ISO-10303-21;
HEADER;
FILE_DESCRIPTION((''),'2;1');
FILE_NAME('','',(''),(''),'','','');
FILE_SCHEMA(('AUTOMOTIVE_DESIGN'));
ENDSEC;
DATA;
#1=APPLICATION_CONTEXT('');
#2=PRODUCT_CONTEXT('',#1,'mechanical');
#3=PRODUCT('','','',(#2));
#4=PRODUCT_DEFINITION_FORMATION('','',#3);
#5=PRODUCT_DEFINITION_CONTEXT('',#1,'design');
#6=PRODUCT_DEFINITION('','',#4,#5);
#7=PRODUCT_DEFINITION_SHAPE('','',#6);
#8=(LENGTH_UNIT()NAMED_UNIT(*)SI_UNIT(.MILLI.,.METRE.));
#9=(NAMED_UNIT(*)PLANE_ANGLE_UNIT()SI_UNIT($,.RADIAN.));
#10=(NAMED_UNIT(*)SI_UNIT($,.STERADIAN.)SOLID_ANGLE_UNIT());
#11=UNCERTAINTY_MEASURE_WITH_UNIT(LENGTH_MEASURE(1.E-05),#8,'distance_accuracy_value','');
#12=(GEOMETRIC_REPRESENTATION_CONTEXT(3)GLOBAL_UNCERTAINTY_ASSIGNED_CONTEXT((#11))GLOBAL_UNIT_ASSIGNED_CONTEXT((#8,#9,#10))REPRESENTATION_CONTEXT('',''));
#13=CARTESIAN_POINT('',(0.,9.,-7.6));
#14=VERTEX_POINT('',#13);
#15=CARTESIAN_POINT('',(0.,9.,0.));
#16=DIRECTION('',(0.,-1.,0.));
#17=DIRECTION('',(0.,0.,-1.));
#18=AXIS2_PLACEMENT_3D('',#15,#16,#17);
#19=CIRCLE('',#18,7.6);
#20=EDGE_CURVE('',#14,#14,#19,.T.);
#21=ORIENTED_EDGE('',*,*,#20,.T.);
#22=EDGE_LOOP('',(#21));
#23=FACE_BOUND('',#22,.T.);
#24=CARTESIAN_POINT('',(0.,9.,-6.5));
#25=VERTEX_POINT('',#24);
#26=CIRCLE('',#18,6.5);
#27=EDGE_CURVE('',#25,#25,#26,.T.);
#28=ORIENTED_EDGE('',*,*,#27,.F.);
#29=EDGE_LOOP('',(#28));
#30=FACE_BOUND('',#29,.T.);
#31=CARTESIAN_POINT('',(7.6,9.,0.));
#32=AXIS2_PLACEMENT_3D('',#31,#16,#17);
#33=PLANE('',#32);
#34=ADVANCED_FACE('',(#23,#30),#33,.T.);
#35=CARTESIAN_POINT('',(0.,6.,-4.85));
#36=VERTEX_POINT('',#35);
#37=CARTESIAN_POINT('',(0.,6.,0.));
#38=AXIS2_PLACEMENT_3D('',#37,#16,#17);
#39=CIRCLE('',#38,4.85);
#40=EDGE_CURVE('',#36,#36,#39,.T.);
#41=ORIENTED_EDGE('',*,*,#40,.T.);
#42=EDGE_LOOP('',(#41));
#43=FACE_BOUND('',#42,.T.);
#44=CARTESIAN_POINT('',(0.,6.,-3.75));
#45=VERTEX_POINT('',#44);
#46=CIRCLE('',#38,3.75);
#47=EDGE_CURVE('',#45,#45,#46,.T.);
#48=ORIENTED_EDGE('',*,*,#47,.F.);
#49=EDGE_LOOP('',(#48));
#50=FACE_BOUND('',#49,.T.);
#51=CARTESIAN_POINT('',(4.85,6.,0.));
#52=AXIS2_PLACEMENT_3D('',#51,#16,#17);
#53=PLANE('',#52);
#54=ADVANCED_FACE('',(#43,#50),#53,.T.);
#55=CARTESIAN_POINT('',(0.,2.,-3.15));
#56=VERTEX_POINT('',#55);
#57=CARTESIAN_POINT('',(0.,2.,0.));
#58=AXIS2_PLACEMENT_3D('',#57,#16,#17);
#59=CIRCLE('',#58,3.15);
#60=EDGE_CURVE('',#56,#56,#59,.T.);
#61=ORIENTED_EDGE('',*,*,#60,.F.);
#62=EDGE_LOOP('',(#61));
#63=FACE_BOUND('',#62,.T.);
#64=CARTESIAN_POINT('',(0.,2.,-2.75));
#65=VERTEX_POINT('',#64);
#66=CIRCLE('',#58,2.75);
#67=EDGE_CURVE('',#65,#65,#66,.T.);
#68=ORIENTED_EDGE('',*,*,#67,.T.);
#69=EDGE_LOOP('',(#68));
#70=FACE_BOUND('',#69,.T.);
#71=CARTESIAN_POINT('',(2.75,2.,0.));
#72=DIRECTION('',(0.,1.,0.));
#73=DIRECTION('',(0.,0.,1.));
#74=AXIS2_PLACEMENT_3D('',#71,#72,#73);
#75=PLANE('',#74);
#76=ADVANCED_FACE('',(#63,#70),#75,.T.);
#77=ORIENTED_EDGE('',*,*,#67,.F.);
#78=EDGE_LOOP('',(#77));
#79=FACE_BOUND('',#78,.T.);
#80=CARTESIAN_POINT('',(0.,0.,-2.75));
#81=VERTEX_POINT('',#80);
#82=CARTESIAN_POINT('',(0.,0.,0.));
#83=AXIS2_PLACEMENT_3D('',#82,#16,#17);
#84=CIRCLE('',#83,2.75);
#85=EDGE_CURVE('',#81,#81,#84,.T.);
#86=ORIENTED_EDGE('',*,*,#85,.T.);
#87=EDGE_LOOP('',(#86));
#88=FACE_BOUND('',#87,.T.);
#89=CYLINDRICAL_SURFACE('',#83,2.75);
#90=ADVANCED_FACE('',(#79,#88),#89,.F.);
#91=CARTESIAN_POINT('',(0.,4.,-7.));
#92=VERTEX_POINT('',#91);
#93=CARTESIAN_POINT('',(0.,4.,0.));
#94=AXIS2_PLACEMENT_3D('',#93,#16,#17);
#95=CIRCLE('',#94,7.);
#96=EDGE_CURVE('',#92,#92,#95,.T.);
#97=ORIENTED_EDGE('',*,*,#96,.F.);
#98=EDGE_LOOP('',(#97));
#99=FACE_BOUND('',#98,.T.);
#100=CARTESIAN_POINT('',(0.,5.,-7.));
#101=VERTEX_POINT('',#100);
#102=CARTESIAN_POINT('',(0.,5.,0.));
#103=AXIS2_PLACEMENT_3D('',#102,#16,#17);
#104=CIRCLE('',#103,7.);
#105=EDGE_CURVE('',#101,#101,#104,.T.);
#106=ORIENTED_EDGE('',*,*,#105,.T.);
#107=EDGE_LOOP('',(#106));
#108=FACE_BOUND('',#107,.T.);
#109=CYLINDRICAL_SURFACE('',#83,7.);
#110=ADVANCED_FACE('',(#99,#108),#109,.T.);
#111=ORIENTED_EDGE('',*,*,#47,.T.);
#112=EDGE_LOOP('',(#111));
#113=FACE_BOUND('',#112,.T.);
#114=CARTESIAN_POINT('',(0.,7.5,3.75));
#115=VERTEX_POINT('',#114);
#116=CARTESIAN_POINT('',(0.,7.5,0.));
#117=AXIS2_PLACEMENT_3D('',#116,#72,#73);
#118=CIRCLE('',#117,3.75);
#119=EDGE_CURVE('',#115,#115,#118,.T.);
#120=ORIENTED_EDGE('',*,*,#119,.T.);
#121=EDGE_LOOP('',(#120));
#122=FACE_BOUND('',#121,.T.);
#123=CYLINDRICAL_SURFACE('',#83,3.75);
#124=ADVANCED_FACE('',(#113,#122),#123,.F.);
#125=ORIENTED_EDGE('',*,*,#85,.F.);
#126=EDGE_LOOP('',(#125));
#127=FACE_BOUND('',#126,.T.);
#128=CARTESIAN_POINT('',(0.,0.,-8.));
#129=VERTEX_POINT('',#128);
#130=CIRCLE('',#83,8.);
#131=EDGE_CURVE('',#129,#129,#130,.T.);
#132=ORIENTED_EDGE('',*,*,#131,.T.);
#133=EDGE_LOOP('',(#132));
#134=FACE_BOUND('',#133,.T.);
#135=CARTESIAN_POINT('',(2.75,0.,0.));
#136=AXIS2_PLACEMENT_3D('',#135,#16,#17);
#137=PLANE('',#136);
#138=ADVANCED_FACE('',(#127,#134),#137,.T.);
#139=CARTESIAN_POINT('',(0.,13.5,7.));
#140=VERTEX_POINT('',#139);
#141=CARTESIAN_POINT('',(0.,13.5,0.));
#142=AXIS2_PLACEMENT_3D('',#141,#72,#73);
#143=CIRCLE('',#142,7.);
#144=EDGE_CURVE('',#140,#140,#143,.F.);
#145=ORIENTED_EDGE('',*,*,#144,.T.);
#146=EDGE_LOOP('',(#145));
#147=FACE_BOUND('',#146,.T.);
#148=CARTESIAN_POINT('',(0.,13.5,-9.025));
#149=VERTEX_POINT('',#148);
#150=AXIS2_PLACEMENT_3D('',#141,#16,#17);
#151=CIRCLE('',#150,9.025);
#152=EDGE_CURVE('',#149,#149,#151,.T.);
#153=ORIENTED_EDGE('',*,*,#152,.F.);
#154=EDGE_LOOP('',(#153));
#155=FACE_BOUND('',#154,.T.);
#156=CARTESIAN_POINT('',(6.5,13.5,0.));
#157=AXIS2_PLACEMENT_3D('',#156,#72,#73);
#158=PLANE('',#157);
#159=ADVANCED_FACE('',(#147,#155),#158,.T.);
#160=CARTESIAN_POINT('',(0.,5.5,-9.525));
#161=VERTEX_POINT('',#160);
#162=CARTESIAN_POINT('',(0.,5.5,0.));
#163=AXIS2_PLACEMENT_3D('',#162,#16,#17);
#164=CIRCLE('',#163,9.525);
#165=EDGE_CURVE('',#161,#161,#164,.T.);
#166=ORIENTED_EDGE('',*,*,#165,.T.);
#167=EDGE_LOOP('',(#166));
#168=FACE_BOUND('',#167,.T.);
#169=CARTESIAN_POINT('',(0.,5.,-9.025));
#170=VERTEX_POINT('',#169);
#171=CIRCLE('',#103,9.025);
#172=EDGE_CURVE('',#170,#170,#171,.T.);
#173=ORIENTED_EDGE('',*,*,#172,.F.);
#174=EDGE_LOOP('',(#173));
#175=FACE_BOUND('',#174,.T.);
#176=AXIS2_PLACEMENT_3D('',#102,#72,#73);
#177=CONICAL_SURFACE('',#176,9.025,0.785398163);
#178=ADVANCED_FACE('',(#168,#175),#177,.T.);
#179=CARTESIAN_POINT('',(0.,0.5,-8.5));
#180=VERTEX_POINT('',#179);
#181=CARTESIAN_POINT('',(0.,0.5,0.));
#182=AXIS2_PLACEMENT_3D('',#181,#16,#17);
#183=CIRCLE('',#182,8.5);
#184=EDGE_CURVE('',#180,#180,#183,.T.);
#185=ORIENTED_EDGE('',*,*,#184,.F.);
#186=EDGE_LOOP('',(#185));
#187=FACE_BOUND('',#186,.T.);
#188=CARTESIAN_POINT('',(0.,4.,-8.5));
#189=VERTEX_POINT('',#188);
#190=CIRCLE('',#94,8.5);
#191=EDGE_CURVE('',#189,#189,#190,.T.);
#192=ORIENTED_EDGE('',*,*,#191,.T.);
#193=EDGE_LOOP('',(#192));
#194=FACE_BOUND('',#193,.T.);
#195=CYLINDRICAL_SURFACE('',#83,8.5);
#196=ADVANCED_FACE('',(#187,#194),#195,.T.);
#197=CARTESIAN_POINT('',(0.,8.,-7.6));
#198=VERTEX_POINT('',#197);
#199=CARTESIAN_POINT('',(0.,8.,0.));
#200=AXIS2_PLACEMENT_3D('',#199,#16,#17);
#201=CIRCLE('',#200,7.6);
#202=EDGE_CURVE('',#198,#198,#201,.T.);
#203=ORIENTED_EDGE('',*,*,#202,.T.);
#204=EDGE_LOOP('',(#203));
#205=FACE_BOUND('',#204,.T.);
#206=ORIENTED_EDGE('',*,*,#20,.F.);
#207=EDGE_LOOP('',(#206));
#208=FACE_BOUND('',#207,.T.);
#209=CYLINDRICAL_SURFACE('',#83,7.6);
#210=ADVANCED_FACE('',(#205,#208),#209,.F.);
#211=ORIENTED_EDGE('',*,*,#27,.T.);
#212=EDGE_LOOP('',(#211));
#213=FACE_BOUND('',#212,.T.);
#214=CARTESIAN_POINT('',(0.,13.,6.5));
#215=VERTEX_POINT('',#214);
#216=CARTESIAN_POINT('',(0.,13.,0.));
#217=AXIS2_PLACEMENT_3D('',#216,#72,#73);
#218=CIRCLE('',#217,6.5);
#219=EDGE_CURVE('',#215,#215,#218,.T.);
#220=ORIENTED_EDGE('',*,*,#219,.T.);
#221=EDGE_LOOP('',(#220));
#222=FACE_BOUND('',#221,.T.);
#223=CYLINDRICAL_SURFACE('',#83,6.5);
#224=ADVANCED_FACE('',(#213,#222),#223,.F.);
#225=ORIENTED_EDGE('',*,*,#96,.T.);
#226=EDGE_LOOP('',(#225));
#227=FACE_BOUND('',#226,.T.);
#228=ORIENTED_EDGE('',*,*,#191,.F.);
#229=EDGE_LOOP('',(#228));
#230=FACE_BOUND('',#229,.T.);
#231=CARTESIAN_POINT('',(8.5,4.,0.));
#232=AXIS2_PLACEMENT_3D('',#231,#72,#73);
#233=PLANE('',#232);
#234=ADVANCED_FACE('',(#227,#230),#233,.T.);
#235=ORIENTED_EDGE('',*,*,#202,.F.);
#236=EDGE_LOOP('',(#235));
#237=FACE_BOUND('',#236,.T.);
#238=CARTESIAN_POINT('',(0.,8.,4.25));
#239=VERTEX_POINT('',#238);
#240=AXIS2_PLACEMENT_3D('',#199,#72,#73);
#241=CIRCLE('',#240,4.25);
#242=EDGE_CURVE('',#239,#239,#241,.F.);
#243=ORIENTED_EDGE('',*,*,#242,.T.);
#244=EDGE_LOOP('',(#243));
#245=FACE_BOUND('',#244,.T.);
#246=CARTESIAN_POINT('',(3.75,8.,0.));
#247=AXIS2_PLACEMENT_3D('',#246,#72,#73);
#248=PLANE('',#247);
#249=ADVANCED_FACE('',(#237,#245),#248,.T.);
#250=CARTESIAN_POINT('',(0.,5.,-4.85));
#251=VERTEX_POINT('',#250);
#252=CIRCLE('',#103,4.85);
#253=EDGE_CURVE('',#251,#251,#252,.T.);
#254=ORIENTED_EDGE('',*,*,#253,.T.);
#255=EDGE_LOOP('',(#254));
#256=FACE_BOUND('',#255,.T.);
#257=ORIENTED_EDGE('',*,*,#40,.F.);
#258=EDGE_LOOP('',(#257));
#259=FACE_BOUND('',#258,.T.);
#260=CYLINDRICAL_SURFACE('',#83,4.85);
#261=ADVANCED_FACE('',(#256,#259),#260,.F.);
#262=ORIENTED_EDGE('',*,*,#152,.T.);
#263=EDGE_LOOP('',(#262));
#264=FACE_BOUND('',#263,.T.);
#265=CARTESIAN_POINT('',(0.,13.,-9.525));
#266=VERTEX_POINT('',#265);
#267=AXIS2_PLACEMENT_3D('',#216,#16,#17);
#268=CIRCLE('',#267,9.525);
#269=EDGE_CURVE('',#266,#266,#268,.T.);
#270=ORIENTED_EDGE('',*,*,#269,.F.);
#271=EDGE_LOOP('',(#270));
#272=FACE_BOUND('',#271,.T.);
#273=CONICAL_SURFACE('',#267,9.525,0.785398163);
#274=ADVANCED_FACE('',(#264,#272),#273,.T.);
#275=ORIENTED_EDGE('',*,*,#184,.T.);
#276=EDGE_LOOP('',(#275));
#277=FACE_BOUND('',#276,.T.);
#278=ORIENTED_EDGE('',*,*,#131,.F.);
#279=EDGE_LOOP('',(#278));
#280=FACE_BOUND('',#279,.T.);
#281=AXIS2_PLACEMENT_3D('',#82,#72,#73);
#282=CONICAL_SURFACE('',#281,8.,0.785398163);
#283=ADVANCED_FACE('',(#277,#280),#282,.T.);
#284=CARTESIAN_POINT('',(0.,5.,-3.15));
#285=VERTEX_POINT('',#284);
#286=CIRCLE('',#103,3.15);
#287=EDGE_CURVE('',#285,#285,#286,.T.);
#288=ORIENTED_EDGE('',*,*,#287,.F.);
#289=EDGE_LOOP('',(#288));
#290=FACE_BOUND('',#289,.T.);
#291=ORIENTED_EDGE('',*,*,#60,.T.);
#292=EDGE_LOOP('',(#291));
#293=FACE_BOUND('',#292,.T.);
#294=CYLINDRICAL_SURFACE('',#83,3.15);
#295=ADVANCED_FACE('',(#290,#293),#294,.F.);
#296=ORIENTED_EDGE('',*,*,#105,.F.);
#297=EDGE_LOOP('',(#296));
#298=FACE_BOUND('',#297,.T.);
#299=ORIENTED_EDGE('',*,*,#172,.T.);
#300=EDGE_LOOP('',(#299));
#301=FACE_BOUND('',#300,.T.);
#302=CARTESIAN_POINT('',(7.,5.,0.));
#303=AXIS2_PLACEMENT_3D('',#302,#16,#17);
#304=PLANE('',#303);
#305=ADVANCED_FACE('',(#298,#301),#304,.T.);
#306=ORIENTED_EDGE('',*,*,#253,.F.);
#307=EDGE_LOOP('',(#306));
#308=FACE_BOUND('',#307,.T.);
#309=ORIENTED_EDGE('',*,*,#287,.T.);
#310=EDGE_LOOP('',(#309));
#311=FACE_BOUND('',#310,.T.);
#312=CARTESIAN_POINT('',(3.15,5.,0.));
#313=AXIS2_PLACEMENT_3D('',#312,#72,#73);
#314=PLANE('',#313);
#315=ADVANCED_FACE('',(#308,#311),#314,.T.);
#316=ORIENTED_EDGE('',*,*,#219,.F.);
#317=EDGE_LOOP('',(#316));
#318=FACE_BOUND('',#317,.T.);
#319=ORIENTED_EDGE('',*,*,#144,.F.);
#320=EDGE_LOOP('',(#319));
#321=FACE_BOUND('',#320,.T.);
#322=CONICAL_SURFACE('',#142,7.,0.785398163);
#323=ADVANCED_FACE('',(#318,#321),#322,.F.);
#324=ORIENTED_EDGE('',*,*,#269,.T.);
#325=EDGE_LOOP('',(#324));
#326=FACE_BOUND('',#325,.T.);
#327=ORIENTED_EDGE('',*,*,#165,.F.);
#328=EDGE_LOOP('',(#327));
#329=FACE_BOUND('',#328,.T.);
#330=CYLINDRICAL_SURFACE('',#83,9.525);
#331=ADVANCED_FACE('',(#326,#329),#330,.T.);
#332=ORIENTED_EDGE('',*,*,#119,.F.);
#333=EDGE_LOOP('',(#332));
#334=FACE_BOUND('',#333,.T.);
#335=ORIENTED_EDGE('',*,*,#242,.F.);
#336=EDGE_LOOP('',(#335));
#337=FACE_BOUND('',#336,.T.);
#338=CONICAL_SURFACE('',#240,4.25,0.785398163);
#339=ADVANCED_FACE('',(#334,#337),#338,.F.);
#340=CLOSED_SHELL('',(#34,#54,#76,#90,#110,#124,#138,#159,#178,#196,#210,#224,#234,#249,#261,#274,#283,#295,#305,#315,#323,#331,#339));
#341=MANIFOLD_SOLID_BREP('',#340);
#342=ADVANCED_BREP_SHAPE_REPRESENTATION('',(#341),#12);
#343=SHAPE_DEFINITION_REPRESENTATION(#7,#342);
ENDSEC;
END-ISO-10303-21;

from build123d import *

# Parameters (mm, degrees)
CHAMFER_1_SIZE = 0.5


with BuildPart() as part:
    # 草图1 → 旋转1 (revolve)
    with BuildSketch(Plane.XY, mode=Mode.PRIVATE) as revolve_1_sk:
        Polygon((2.75, 0), (2.75, 2), (3.15, 2), (3.15, 5), (4.85, 5), (4.85, 6), (3.75, 6), (3.75, 8), (7.6, 8), (7.6, 9), (6.5, 9), (6.5, 13.5), (9.025, 13.5), (9.525, 13), (9.525, 5.5), (9.025, 5), (7, 5), (7, 4), (8.5, 4), (8.5, 0.5), (8, 0), align=None)
    revolve(revolve_1_sk.sketch.rotate(Axis((0, 0, 0), (0, 1, 0)), 90), axis=Axis((0, 0, 0), (0, 1, 0)))  # turned: the seam where the file's is

    # 倒角1
    chamfer_1_edges = [part.edges().sort_by_distance(p)[0] for p in [
        (0, 8, 3.75),
        (0, 13.5, 6.5),
    ]]
    chamfer(chamfer_1_edges, length=CHAMFER_1_SIZE)


solid = part.part
